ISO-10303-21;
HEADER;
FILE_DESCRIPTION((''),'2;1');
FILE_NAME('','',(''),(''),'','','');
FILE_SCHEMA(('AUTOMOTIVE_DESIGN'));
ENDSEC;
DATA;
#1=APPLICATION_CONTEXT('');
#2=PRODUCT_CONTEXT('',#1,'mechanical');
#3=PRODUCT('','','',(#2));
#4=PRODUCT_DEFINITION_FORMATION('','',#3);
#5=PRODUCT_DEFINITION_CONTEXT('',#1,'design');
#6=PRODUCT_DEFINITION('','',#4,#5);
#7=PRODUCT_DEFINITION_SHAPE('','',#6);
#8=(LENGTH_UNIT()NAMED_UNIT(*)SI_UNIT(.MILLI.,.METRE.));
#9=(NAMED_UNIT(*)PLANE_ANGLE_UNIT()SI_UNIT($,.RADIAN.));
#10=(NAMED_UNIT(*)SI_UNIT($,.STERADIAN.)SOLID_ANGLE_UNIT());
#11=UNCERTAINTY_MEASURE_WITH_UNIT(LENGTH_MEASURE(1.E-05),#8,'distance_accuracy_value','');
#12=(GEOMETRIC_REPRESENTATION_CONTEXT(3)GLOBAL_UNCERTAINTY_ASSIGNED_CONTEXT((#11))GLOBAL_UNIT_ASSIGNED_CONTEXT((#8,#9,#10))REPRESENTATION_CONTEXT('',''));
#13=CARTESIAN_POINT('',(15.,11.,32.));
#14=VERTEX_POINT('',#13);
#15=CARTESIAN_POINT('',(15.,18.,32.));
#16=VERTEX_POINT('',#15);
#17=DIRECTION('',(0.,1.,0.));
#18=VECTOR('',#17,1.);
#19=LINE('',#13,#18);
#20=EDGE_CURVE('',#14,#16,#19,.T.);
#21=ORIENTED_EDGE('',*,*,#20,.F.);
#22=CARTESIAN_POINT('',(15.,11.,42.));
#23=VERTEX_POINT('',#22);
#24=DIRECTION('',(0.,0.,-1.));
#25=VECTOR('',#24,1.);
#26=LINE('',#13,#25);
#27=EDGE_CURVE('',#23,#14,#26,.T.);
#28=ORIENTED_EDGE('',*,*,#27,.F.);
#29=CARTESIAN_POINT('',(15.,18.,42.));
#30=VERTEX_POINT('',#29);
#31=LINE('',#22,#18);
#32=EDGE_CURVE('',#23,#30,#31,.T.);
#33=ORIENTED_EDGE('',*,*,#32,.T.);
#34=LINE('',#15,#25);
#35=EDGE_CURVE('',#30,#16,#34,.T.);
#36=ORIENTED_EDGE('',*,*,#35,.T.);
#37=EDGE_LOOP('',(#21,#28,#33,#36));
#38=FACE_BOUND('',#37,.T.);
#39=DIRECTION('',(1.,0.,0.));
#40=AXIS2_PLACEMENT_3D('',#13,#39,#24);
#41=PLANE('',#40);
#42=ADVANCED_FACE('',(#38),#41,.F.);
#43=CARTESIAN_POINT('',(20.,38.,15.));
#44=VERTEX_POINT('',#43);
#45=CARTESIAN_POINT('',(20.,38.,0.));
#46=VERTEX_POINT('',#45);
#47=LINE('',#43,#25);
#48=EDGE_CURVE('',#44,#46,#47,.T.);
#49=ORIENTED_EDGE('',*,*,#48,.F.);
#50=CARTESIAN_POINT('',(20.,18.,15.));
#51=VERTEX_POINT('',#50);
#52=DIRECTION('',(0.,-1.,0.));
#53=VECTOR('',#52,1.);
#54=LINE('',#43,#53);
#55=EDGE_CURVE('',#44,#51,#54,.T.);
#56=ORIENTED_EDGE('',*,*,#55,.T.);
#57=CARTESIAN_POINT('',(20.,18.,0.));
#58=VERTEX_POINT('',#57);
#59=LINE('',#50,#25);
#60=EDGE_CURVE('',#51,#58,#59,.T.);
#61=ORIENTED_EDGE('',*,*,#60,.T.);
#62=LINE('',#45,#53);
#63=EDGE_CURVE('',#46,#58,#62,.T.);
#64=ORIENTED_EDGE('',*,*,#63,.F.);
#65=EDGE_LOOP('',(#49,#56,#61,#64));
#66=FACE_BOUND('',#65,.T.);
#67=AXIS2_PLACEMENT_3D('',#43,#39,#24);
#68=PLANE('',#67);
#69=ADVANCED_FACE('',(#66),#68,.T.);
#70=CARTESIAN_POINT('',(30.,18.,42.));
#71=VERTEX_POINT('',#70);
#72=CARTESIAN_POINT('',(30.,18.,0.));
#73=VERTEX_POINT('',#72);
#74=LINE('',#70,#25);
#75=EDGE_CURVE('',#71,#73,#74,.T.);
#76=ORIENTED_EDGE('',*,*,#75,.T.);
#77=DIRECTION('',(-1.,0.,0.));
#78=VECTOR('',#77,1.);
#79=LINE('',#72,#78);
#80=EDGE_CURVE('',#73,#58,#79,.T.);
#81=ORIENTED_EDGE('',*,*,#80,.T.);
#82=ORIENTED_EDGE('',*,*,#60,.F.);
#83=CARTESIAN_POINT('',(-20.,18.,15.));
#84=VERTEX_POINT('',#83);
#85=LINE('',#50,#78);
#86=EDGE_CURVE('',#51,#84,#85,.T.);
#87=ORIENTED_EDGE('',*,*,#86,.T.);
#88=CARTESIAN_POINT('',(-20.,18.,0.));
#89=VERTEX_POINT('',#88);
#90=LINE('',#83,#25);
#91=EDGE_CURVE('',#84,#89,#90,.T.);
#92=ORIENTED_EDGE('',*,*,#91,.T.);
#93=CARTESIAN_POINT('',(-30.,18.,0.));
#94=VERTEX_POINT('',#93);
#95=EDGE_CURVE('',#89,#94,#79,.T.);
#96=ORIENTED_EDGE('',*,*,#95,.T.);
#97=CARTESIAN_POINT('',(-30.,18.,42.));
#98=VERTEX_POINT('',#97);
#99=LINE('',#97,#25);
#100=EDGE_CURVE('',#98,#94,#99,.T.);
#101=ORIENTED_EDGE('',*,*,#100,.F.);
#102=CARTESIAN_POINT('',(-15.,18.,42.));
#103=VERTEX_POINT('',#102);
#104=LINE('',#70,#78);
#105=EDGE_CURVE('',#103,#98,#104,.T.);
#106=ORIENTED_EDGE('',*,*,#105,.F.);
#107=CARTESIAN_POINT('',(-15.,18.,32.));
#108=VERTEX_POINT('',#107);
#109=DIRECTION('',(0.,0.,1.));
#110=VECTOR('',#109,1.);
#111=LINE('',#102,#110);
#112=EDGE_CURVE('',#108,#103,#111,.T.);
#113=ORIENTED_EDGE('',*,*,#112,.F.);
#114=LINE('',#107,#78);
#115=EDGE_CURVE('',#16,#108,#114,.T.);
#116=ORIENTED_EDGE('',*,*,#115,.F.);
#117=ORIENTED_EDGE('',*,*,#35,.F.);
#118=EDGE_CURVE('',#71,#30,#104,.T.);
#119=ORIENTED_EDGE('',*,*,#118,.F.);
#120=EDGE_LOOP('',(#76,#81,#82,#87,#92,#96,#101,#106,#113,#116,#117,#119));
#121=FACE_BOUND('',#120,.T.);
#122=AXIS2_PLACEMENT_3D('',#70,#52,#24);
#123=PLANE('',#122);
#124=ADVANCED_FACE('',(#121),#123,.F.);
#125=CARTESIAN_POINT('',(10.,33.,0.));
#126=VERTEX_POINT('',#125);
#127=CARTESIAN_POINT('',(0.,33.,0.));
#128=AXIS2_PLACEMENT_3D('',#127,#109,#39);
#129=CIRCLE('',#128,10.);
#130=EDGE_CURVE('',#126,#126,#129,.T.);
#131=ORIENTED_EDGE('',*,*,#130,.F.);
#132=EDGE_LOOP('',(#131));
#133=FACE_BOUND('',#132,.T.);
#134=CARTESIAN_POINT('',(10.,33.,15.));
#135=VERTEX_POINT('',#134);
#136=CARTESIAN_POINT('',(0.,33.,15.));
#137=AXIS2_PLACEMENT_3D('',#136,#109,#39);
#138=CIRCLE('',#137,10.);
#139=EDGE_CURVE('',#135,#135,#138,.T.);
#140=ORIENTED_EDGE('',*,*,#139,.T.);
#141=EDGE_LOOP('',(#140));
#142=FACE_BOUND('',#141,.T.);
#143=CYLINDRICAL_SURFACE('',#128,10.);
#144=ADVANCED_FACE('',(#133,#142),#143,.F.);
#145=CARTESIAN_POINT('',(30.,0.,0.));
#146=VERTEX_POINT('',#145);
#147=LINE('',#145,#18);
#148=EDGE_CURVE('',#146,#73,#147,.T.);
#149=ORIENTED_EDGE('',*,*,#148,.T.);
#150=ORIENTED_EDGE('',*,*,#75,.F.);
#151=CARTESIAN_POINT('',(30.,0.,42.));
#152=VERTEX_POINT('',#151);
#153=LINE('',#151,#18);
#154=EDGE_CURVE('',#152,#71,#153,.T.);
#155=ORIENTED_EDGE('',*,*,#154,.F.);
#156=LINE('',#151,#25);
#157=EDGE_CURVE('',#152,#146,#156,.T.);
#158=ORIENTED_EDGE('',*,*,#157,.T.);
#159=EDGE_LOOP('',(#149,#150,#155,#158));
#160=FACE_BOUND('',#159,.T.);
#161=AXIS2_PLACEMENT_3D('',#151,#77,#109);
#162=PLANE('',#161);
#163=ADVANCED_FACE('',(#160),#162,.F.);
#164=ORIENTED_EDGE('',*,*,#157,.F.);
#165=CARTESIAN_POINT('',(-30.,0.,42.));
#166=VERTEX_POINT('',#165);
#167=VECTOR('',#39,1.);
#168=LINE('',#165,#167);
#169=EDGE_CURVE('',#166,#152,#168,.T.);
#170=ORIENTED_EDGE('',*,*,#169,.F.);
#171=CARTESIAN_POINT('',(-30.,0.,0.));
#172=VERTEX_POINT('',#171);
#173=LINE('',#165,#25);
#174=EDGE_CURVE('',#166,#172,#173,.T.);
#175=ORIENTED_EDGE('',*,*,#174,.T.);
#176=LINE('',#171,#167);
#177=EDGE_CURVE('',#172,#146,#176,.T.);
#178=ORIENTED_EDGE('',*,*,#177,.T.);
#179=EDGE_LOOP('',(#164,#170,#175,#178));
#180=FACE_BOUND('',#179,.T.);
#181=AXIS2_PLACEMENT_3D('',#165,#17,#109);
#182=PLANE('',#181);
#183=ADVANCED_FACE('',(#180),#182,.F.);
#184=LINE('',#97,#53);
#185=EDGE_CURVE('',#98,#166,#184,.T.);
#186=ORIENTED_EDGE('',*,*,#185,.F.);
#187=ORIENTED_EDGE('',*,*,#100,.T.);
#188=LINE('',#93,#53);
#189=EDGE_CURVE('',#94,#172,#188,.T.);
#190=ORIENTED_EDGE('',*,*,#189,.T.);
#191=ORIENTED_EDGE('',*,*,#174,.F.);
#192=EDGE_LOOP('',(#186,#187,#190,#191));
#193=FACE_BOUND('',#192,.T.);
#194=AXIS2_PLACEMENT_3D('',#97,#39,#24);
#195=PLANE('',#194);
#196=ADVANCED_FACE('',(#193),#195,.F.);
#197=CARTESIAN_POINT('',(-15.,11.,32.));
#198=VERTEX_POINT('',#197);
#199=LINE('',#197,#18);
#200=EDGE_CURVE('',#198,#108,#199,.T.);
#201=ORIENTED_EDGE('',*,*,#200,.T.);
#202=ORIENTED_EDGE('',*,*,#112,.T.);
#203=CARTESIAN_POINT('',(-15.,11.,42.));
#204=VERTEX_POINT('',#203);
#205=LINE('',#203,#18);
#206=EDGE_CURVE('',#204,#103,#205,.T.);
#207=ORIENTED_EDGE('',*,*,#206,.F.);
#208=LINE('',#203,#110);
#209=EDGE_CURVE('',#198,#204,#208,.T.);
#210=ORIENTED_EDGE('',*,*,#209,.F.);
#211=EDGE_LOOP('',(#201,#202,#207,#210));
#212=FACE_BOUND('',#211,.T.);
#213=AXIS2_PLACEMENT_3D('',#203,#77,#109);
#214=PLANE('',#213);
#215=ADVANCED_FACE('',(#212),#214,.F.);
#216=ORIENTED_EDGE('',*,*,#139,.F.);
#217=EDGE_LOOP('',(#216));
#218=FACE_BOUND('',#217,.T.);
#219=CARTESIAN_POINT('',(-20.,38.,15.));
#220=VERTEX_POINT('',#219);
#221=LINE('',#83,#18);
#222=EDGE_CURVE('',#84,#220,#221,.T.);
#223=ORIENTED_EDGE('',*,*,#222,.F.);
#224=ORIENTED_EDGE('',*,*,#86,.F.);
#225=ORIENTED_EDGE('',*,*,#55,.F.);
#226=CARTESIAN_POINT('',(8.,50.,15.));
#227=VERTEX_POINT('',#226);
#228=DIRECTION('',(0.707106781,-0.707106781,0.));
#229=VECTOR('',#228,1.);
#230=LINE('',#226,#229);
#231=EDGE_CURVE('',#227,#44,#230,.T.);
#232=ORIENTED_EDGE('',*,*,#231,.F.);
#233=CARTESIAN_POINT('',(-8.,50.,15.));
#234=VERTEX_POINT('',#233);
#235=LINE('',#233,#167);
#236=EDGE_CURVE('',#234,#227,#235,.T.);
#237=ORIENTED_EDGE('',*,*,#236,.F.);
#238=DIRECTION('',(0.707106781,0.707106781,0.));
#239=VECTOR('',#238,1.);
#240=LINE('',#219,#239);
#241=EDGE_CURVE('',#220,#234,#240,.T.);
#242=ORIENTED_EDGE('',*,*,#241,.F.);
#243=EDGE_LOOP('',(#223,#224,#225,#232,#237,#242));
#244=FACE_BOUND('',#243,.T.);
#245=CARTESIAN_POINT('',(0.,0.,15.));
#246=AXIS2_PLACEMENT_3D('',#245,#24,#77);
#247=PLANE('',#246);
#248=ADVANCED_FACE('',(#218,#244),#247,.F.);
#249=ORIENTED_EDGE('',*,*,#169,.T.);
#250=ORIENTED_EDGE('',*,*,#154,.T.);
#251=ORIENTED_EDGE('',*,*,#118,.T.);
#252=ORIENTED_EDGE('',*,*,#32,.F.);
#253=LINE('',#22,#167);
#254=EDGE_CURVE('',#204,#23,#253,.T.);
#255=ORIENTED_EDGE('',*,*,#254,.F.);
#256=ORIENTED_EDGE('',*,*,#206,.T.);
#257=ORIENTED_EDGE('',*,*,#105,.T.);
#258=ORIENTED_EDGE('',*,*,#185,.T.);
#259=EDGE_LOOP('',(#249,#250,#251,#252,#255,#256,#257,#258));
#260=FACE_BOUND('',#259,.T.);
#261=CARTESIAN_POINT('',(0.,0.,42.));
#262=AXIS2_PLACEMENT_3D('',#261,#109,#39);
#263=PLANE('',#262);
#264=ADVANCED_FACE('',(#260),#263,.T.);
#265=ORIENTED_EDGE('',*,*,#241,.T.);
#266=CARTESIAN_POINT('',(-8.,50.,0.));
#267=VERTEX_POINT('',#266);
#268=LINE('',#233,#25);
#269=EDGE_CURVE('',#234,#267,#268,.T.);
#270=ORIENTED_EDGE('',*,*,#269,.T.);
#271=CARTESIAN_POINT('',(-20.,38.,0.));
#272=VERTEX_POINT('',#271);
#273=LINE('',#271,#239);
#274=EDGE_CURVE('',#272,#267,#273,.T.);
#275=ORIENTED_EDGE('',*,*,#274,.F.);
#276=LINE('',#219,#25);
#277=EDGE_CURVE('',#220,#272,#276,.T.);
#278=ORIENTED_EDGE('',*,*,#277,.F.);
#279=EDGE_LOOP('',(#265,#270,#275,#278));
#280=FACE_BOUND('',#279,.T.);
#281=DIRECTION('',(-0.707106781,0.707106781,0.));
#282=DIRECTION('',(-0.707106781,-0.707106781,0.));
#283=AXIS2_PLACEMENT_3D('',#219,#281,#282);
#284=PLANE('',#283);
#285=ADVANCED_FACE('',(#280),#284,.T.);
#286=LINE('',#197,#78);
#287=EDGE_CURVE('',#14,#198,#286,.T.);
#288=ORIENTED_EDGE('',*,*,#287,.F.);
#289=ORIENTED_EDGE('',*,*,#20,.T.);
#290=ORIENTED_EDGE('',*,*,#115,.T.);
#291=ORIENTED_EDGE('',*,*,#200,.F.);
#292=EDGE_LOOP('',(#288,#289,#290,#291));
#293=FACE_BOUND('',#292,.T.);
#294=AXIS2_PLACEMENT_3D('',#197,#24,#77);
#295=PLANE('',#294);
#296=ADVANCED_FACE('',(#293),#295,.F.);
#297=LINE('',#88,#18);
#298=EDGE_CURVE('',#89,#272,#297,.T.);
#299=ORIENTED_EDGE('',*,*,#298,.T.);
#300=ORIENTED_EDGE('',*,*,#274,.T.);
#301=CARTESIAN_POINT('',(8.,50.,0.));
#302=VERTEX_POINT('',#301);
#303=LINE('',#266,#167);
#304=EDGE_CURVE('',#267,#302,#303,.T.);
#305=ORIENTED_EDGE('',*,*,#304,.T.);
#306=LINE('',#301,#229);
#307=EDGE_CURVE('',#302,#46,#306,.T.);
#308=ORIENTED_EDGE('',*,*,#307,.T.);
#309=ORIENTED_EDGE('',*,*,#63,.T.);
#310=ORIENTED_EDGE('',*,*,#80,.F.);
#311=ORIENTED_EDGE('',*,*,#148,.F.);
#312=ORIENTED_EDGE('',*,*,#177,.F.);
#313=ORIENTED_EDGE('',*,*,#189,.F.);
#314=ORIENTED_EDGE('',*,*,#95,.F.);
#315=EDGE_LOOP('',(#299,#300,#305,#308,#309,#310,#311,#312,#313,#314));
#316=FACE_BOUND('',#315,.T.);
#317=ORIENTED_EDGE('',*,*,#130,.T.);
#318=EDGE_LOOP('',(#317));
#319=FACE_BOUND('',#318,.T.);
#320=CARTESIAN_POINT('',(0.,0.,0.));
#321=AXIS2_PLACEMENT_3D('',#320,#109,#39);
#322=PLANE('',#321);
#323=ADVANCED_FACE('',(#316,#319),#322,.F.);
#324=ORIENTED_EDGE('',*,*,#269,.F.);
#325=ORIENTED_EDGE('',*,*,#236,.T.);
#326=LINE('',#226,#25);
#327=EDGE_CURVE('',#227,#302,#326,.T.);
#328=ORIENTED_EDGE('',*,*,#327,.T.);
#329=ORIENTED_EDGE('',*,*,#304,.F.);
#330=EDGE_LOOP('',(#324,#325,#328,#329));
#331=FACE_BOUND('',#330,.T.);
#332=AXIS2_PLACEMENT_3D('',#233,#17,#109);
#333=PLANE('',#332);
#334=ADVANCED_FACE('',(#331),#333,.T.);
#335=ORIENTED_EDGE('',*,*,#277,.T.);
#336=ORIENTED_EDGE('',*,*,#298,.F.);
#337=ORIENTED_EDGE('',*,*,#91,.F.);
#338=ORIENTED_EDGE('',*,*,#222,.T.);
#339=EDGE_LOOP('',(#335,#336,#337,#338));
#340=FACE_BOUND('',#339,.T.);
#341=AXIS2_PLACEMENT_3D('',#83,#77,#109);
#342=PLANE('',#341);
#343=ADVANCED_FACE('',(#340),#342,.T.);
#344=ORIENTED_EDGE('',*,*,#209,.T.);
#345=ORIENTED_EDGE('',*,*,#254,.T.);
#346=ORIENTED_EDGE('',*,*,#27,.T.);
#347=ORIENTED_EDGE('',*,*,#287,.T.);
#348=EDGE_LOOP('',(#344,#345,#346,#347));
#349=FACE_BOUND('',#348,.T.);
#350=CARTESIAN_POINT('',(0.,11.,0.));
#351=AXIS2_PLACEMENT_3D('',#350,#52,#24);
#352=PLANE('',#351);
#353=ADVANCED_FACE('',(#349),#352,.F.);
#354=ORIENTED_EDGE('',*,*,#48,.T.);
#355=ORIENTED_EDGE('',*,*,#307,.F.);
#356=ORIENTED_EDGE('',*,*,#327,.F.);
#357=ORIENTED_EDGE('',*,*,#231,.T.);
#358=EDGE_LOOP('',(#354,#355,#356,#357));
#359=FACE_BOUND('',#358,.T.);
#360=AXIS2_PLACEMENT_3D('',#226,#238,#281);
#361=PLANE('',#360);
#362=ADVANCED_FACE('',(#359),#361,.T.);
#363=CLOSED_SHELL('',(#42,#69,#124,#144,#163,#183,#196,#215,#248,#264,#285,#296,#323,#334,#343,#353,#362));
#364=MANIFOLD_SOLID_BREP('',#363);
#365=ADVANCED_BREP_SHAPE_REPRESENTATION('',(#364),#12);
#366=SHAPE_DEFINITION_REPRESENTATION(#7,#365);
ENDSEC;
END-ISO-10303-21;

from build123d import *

# Parameters (mm, degrees)
SKETCH1_W           = 60
SKETCH1_H           = 18
BOSS_EXTRUDE1_DEPTH = 42
SKETCH2_W           = 30
SKETCH2_H           = 10
CUT_EXTRUDE1_DEPTH  = 7
BOSS_EXTRUDE2_DEPTH = 15
SKETCH4_R           = 10
CUT_EXTRUDE2_DEPTH  = 65.257295306


with BuildPart() as part:
    # Sketch1 → Boss-Extrude1 (new body)
    with BuildSketch(Plane.XY):
        with Locations((0, 9)):
            Rectangle(SKETCH1_W, SKETCH1_H)
    extrude(amount=BOSS_EXTRUDE1_DEPTH)

    # Sketch2 → Cut-Extrude1 (cut)
    with BuildSketch(Plane(origin=(0, 18, 0), x_dir=(1, 0, 0), z_dir=(0, 1, 0))):
        with Locations((0, -37)):
            Rectangle(SKETCH2_W, SKETCH2_H)
    extrude(amount=-CUT_EXTRUDE1_DEPTH, mode=Mode.SUBTRACT)

    # Sketch3 → Boss-Extrude2 (add)
    with BuildSketch(Plane(origin=(0, 0, 0), x_dir=(-1, 0, 0), z_dir=(0, 0, -1))):
        Polygon((20, 18), (20, 38), (8, 50), (-8, 50), (-20, 38), (-20, 18), align=None)
    extrude(amount=-BOSS_EXTRUDE2_DEPTH)

    # Sketch4 → Cut-Extrude2 (cut, through all)
    with BuildSketch(Plane.XY.offset(15)):
        with Locations((0, 33)):
            Circle(SKETCH4_R)
    extrude(amount=-CUT_EXTRUDE2_DEPTH, mode=Mode.SUBTRACT)


solid = part.part
